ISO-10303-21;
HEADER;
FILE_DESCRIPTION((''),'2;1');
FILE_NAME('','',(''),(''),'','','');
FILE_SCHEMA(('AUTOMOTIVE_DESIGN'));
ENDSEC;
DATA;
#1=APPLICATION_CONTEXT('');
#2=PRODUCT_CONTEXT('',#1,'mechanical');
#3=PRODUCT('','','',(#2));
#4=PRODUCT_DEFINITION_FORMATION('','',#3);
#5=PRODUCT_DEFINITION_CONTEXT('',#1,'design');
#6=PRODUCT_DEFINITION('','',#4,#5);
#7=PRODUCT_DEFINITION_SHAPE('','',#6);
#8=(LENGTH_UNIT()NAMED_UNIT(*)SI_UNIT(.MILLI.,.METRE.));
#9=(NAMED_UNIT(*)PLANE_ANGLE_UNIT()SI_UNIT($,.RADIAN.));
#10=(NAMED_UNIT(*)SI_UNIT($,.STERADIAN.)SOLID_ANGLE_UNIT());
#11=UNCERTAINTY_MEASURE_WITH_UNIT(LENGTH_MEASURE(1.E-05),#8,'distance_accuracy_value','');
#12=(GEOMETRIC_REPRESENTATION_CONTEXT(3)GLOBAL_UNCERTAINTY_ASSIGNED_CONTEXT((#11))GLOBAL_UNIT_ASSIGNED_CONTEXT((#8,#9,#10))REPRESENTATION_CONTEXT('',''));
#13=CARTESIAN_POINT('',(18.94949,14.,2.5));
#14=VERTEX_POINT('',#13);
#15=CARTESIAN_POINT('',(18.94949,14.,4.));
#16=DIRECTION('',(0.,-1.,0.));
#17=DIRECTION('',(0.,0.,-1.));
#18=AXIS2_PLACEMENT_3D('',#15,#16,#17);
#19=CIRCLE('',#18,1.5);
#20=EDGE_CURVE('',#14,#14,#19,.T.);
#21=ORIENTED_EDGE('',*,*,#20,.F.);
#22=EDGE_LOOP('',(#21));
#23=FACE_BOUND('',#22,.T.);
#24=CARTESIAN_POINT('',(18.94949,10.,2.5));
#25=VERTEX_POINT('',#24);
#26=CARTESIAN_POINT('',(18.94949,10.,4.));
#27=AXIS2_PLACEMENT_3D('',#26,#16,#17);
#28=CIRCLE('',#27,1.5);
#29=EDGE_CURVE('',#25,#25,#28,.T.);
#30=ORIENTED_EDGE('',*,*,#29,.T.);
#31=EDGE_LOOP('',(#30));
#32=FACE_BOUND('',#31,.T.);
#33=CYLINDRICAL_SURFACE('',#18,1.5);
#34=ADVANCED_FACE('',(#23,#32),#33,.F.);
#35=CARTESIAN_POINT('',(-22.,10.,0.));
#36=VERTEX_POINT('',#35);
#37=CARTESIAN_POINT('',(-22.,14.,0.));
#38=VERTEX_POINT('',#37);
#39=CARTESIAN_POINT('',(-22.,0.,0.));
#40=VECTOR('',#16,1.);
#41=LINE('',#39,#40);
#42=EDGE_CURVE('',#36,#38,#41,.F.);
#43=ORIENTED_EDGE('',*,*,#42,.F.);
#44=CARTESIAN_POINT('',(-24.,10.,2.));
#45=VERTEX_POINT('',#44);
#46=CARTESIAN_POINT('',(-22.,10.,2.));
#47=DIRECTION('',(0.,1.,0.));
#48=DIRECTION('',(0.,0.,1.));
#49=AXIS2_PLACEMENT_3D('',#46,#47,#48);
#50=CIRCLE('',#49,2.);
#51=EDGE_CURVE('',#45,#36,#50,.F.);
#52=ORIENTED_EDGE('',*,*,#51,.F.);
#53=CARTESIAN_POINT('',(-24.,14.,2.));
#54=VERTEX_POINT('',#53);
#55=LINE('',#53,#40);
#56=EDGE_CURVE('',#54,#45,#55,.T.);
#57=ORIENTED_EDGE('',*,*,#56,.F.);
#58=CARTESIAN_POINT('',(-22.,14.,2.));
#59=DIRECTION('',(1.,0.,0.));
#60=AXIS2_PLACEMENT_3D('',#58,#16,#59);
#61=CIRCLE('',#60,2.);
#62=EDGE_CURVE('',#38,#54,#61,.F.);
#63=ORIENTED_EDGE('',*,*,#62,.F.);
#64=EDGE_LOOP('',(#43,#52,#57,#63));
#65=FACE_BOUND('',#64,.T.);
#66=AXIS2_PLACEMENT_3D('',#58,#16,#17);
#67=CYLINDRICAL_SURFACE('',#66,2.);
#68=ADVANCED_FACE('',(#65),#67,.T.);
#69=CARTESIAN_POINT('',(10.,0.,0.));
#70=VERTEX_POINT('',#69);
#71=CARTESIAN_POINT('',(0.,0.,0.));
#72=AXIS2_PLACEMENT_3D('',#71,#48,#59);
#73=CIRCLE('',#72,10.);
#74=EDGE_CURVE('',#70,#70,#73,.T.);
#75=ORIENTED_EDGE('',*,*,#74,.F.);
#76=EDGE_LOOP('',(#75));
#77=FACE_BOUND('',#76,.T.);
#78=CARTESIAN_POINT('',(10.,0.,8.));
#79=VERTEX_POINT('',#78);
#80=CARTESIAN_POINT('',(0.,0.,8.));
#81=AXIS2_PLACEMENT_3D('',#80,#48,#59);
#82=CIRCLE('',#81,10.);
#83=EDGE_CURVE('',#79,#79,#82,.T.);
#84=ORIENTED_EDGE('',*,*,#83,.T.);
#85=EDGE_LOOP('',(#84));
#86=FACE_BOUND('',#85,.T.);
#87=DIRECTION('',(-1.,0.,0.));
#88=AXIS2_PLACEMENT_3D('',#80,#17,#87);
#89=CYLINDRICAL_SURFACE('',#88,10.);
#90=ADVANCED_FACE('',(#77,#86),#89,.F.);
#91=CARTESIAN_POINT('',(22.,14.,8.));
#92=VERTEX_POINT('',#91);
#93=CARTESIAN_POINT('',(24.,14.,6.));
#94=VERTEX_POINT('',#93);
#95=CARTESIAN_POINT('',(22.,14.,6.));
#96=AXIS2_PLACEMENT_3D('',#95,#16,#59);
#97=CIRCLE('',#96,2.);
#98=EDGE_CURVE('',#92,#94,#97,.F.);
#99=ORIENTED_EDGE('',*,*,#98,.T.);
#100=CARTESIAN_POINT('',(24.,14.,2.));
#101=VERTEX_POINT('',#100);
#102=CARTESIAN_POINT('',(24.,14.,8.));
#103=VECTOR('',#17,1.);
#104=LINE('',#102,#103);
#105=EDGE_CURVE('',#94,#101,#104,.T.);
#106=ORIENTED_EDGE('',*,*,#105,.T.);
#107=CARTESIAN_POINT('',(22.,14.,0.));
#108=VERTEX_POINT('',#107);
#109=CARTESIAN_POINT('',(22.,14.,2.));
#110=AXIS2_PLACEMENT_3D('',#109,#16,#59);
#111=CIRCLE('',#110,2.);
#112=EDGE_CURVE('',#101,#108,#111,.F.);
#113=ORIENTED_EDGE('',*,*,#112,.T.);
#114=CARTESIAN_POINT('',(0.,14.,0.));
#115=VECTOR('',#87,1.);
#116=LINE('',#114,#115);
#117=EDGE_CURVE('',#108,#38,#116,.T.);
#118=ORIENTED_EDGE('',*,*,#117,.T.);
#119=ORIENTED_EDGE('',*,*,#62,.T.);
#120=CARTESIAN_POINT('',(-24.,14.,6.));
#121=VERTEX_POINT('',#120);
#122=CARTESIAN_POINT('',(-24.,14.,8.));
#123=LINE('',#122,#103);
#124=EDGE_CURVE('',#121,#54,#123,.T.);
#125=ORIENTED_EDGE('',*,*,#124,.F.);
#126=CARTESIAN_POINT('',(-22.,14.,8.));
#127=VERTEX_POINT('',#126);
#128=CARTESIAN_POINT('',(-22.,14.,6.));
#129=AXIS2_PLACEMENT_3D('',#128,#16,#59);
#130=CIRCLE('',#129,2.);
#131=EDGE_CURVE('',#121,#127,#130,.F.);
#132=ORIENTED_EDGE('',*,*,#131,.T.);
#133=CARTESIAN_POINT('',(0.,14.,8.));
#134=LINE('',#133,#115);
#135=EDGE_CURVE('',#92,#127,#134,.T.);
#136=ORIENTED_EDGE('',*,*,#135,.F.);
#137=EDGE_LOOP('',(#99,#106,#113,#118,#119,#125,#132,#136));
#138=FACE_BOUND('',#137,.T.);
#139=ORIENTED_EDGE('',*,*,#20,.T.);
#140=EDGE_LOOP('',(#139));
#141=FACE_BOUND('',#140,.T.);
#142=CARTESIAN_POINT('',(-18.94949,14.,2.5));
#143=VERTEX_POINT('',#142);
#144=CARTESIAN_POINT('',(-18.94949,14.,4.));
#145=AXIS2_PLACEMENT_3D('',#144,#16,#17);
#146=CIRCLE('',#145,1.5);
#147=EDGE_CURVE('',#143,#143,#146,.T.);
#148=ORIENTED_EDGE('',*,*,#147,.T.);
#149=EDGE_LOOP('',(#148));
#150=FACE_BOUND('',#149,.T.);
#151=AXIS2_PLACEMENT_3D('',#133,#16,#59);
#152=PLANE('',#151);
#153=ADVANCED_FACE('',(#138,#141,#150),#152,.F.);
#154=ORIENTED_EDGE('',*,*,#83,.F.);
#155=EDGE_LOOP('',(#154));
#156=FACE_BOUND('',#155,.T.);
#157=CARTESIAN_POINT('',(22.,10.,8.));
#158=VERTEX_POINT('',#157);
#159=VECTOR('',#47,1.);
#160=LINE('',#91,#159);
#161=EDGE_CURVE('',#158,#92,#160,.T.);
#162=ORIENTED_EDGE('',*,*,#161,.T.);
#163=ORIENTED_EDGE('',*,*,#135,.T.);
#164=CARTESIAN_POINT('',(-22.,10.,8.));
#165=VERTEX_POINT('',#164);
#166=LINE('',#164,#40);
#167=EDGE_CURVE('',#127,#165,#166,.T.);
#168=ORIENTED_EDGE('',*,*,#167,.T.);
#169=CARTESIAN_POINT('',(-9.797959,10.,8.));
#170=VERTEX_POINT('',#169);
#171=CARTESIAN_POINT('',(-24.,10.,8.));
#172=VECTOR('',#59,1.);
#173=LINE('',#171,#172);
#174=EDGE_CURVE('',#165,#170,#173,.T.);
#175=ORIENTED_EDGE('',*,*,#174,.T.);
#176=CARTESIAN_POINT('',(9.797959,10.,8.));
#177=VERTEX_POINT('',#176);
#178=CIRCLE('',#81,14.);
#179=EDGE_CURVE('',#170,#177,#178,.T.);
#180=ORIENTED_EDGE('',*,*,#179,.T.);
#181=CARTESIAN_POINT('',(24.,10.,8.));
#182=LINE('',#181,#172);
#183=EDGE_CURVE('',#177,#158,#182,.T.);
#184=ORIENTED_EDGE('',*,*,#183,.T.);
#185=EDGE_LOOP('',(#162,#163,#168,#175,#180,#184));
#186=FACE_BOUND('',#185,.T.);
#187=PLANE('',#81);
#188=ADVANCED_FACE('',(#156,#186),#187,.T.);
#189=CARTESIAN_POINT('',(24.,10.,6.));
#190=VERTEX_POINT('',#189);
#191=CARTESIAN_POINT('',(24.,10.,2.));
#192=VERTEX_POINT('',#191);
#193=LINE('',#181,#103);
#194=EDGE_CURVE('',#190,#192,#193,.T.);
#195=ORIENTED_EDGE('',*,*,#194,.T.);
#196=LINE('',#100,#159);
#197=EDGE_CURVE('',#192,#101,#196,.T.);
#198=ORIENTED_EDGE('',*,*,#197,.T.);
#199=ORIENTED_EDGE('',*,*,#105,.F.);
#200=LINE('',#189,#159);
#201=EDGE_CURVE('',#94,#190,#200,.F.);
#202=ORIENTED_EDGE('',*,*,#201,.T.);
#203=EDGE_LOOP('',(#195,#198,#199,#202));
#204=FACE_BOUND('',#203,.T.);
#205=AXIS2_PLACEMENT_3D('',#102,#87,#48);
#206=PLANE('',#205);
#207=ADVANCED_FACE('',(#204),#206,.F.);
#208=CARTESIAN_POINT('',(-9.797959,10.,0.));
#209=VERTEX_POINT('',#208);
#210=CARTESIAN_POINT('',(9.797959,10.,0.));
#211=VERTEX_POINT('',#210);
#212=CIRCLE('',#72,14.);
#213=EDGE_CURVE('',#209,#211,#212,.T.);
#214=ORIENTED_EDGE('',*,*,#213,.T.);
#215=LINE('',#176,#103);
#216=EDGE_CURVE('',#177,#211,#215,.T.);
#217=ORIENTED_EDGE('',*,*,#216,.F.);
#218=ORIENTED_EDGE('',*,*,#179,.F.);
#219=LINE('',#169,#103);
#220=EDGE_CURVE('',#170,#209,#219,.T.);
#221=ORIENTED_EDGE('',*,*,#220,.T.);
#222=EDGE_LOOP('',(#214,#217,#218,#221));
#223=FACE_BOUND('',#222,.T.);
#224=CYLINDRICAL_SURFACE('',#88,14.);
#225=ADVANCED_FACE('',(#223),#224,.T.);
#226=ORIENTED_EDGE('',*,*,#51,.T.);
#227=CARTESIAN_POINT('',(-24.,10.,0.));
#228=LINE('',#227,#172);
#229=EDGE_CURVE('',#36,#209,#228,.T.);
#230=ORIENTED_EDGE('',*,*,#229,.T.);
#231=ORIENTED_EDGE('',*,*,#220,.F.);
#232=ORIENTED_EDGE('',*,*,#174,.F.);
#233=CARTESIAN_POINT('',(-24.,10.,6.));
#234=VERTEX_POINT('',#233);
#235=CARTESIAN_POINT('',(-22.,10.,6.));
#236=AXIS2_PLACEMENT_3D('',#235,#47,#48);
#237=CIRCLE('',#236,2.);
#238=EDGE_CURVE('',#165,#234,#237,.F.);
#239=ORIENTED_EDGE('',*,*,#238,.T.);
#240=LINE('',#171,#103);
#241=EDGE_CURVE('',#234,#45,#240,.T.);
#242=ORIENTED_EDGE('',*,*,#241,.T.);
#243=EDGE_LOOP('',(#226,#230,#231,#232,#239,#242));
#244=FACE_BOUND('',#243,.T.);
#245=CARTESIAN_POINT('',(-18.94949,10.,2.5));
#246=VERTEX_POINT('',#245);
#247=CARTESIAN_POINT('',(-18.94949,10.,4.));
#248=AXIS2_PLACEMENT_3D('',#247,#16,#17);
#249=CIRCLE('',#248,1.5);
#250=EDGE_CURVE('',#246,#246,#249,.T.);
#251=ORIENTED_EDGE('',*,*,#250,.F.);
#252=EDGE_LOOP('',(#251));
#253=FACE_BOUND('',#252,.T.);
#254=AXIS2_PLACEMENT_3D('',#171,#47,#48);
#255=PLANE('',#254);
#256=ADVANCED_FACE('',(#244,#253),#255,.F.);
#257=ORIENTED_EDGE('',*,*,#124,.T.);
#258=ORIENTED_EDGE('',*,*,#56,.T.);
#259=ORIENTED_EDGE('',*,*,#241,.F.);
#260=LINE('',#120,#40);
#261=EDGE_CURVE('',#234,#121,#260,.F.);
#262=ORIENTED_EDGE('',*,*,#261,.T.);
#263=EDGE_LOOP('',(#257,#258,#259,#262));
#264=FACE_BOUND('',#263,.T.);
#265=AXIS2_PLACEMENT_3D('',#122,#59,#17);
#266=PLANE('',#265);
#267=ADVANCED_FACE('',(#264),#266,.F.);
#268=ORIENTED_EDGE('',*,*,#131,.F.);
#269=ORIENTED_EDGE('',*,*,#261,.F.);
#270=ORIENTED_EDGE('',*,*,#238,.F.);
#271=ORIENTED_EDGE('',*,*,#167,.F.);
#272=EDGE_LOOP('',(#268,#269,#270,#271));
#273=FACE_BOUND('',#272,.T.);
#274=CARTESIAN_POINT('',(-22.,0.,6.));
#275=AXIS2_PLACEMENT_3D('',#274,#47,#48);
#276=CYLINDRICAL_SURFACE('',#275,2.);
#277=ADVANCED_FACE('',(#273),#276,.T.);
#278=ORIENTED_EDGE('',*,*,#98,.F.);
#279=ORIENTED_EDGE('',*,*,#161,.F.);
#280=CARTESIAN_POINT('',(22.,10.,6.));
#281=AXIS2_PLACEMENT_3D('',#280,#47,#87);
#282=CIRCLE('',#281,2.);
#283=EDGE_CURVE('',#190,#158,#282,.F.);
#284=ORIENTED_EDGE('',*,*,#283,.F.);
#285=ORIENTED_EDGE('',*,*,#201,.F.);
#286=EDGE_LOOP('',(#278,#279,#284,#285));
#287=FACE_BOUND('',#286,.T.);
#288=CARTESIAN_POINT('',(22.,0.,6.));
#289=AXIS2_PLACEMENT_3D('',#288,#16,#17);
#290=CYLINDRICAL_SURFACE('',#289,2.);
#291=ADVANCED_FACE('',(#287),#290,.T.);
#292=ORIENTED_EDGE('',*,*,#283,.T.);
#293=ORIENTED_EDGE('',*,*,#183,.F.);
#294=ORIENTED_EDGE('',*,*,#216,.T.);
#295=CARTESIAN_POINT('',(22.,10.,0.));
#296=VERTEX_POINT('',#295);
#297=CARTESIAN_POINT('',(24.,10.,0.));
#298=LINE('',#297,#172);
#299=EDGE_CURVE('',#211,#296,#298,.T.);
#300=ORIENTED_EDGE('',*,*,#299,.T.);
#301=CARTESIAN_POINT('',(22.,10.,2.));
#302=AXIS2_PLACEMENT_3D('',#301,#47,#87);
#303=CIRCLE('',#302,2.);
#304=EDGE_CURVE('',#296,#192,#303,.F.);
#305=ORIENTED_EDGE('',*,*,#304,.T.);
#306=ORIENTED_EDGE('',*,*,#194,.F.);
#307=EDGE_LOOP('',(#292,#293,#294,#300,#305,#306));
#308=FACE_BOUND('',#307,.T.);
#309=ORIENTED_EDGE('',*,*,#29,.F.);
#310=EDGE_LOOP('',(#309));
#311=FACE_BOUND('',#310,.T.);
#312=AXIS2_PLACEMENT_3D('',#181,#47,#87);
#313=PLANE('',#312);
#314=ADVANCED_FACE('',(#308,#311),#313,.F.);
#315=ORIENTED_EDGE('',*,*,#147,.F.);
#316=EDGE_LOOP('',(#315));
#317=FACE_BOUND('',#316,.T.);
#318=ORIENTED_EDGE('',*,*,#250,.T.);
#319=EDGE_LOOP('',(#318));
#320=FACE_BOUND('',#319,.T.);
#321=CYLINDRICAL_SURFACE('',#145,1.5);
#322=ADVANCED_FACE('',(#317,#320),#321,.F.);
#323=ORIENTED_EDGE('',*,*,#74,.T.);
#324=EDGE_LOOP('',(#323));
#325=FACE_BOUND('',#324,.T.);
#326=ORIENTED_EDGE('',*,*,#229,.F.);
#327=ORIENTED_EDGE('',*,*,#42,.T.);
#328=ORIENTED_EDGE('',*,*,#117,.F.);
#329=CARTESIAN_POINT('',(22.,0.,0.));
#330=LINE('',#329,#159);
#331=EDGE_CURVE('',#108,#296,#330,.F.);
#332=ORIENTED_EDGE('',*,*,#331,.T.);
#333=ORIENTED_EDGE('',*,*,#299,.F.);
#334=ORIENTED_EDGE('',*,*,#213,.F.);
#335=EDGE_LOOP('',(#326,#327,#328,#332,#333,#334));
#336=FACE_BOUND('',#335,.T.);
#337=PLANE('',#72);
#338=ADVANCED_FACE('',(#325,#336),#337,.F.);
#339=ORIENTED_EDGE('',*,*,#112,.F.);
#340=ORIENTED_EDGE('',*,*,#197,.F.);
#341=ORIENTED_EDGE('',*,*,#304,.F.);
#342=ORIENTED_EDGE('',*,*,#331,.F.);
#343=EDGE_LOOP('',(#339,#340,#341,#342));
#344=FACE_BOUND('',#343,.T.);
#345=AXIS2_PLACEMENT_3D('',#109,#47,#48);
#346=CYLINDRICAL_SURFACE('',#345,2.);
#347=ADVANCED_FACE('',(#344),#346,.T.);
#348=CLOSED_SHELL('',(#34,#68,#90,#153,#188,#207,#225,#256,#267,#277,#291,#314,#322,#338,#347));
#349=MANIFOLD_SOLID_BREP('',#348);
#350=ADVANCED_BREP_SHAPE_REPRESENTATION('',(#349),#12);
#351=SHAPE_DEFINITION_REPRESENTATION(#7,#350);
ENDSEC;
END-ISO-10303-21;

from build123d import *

# Parameters (mm, degrees)
CROQUIS1_R              = 10
SALIENTE_EXTRUIR1_DEPTH = 8
REDONDEO1_R             = 2
CROQUIS2_R              = 1.5
CORTAR_EXTRUIR1_DEPTH   = 35.871191548


with BuildPart() as part:
    # Croquis1 → Saliente-Extruir1 (new body)
    with BuildSketch(Plane.XY):
        with BuildLine():
            Line((0, 14), (24, 14))
            Line((24, 14), (24, 10))
            Line((24, 10), (9.797958971, 10))
            ThreePointArc((9.797958971, 10), (0, -14), (-9.797958971, 10))
            Line((-9.797958971, 10), (-24, 10))
            Line((-24, 10), (-24, 14))
            Line((-24, 14), (0, 14))
        make_face()
        Circle(CROQUIS1_R, mode=Mode.SUBTRACT)
    extrude(amount=SALIENTE_EXTRUIR1_DEPTH)

    # Redondeo1
    redondeo1_edges = [part.edges().sort_by_distance(p)[0] for p in [
        (24, 12, 8),
        (-24, 12, 8),
        (-24, 12, 0),
        (24, 12, 0),
    ]]
    fillet(redondeo1_edges, radius=REDONDEO1_R)

    # Croquis2 → Cortar-Extruir1 (cut, through all)
    with BuildSketch(Plane.XZ.offset(-10)):
        with Locations(Location((-18.949489743, 4, 0), (0, 0, 270))):
            Circle(CROQUIS2_R)
        with Locations(Location((18.949489743, 4, 0), (0, 0, 270))):
            Circle(CROQUIS2_R)
    extrude(amount=-CORTAR_EXTRUIR1_DEPTH, mode=Mode.SUBTRACT)


solid = part.part
